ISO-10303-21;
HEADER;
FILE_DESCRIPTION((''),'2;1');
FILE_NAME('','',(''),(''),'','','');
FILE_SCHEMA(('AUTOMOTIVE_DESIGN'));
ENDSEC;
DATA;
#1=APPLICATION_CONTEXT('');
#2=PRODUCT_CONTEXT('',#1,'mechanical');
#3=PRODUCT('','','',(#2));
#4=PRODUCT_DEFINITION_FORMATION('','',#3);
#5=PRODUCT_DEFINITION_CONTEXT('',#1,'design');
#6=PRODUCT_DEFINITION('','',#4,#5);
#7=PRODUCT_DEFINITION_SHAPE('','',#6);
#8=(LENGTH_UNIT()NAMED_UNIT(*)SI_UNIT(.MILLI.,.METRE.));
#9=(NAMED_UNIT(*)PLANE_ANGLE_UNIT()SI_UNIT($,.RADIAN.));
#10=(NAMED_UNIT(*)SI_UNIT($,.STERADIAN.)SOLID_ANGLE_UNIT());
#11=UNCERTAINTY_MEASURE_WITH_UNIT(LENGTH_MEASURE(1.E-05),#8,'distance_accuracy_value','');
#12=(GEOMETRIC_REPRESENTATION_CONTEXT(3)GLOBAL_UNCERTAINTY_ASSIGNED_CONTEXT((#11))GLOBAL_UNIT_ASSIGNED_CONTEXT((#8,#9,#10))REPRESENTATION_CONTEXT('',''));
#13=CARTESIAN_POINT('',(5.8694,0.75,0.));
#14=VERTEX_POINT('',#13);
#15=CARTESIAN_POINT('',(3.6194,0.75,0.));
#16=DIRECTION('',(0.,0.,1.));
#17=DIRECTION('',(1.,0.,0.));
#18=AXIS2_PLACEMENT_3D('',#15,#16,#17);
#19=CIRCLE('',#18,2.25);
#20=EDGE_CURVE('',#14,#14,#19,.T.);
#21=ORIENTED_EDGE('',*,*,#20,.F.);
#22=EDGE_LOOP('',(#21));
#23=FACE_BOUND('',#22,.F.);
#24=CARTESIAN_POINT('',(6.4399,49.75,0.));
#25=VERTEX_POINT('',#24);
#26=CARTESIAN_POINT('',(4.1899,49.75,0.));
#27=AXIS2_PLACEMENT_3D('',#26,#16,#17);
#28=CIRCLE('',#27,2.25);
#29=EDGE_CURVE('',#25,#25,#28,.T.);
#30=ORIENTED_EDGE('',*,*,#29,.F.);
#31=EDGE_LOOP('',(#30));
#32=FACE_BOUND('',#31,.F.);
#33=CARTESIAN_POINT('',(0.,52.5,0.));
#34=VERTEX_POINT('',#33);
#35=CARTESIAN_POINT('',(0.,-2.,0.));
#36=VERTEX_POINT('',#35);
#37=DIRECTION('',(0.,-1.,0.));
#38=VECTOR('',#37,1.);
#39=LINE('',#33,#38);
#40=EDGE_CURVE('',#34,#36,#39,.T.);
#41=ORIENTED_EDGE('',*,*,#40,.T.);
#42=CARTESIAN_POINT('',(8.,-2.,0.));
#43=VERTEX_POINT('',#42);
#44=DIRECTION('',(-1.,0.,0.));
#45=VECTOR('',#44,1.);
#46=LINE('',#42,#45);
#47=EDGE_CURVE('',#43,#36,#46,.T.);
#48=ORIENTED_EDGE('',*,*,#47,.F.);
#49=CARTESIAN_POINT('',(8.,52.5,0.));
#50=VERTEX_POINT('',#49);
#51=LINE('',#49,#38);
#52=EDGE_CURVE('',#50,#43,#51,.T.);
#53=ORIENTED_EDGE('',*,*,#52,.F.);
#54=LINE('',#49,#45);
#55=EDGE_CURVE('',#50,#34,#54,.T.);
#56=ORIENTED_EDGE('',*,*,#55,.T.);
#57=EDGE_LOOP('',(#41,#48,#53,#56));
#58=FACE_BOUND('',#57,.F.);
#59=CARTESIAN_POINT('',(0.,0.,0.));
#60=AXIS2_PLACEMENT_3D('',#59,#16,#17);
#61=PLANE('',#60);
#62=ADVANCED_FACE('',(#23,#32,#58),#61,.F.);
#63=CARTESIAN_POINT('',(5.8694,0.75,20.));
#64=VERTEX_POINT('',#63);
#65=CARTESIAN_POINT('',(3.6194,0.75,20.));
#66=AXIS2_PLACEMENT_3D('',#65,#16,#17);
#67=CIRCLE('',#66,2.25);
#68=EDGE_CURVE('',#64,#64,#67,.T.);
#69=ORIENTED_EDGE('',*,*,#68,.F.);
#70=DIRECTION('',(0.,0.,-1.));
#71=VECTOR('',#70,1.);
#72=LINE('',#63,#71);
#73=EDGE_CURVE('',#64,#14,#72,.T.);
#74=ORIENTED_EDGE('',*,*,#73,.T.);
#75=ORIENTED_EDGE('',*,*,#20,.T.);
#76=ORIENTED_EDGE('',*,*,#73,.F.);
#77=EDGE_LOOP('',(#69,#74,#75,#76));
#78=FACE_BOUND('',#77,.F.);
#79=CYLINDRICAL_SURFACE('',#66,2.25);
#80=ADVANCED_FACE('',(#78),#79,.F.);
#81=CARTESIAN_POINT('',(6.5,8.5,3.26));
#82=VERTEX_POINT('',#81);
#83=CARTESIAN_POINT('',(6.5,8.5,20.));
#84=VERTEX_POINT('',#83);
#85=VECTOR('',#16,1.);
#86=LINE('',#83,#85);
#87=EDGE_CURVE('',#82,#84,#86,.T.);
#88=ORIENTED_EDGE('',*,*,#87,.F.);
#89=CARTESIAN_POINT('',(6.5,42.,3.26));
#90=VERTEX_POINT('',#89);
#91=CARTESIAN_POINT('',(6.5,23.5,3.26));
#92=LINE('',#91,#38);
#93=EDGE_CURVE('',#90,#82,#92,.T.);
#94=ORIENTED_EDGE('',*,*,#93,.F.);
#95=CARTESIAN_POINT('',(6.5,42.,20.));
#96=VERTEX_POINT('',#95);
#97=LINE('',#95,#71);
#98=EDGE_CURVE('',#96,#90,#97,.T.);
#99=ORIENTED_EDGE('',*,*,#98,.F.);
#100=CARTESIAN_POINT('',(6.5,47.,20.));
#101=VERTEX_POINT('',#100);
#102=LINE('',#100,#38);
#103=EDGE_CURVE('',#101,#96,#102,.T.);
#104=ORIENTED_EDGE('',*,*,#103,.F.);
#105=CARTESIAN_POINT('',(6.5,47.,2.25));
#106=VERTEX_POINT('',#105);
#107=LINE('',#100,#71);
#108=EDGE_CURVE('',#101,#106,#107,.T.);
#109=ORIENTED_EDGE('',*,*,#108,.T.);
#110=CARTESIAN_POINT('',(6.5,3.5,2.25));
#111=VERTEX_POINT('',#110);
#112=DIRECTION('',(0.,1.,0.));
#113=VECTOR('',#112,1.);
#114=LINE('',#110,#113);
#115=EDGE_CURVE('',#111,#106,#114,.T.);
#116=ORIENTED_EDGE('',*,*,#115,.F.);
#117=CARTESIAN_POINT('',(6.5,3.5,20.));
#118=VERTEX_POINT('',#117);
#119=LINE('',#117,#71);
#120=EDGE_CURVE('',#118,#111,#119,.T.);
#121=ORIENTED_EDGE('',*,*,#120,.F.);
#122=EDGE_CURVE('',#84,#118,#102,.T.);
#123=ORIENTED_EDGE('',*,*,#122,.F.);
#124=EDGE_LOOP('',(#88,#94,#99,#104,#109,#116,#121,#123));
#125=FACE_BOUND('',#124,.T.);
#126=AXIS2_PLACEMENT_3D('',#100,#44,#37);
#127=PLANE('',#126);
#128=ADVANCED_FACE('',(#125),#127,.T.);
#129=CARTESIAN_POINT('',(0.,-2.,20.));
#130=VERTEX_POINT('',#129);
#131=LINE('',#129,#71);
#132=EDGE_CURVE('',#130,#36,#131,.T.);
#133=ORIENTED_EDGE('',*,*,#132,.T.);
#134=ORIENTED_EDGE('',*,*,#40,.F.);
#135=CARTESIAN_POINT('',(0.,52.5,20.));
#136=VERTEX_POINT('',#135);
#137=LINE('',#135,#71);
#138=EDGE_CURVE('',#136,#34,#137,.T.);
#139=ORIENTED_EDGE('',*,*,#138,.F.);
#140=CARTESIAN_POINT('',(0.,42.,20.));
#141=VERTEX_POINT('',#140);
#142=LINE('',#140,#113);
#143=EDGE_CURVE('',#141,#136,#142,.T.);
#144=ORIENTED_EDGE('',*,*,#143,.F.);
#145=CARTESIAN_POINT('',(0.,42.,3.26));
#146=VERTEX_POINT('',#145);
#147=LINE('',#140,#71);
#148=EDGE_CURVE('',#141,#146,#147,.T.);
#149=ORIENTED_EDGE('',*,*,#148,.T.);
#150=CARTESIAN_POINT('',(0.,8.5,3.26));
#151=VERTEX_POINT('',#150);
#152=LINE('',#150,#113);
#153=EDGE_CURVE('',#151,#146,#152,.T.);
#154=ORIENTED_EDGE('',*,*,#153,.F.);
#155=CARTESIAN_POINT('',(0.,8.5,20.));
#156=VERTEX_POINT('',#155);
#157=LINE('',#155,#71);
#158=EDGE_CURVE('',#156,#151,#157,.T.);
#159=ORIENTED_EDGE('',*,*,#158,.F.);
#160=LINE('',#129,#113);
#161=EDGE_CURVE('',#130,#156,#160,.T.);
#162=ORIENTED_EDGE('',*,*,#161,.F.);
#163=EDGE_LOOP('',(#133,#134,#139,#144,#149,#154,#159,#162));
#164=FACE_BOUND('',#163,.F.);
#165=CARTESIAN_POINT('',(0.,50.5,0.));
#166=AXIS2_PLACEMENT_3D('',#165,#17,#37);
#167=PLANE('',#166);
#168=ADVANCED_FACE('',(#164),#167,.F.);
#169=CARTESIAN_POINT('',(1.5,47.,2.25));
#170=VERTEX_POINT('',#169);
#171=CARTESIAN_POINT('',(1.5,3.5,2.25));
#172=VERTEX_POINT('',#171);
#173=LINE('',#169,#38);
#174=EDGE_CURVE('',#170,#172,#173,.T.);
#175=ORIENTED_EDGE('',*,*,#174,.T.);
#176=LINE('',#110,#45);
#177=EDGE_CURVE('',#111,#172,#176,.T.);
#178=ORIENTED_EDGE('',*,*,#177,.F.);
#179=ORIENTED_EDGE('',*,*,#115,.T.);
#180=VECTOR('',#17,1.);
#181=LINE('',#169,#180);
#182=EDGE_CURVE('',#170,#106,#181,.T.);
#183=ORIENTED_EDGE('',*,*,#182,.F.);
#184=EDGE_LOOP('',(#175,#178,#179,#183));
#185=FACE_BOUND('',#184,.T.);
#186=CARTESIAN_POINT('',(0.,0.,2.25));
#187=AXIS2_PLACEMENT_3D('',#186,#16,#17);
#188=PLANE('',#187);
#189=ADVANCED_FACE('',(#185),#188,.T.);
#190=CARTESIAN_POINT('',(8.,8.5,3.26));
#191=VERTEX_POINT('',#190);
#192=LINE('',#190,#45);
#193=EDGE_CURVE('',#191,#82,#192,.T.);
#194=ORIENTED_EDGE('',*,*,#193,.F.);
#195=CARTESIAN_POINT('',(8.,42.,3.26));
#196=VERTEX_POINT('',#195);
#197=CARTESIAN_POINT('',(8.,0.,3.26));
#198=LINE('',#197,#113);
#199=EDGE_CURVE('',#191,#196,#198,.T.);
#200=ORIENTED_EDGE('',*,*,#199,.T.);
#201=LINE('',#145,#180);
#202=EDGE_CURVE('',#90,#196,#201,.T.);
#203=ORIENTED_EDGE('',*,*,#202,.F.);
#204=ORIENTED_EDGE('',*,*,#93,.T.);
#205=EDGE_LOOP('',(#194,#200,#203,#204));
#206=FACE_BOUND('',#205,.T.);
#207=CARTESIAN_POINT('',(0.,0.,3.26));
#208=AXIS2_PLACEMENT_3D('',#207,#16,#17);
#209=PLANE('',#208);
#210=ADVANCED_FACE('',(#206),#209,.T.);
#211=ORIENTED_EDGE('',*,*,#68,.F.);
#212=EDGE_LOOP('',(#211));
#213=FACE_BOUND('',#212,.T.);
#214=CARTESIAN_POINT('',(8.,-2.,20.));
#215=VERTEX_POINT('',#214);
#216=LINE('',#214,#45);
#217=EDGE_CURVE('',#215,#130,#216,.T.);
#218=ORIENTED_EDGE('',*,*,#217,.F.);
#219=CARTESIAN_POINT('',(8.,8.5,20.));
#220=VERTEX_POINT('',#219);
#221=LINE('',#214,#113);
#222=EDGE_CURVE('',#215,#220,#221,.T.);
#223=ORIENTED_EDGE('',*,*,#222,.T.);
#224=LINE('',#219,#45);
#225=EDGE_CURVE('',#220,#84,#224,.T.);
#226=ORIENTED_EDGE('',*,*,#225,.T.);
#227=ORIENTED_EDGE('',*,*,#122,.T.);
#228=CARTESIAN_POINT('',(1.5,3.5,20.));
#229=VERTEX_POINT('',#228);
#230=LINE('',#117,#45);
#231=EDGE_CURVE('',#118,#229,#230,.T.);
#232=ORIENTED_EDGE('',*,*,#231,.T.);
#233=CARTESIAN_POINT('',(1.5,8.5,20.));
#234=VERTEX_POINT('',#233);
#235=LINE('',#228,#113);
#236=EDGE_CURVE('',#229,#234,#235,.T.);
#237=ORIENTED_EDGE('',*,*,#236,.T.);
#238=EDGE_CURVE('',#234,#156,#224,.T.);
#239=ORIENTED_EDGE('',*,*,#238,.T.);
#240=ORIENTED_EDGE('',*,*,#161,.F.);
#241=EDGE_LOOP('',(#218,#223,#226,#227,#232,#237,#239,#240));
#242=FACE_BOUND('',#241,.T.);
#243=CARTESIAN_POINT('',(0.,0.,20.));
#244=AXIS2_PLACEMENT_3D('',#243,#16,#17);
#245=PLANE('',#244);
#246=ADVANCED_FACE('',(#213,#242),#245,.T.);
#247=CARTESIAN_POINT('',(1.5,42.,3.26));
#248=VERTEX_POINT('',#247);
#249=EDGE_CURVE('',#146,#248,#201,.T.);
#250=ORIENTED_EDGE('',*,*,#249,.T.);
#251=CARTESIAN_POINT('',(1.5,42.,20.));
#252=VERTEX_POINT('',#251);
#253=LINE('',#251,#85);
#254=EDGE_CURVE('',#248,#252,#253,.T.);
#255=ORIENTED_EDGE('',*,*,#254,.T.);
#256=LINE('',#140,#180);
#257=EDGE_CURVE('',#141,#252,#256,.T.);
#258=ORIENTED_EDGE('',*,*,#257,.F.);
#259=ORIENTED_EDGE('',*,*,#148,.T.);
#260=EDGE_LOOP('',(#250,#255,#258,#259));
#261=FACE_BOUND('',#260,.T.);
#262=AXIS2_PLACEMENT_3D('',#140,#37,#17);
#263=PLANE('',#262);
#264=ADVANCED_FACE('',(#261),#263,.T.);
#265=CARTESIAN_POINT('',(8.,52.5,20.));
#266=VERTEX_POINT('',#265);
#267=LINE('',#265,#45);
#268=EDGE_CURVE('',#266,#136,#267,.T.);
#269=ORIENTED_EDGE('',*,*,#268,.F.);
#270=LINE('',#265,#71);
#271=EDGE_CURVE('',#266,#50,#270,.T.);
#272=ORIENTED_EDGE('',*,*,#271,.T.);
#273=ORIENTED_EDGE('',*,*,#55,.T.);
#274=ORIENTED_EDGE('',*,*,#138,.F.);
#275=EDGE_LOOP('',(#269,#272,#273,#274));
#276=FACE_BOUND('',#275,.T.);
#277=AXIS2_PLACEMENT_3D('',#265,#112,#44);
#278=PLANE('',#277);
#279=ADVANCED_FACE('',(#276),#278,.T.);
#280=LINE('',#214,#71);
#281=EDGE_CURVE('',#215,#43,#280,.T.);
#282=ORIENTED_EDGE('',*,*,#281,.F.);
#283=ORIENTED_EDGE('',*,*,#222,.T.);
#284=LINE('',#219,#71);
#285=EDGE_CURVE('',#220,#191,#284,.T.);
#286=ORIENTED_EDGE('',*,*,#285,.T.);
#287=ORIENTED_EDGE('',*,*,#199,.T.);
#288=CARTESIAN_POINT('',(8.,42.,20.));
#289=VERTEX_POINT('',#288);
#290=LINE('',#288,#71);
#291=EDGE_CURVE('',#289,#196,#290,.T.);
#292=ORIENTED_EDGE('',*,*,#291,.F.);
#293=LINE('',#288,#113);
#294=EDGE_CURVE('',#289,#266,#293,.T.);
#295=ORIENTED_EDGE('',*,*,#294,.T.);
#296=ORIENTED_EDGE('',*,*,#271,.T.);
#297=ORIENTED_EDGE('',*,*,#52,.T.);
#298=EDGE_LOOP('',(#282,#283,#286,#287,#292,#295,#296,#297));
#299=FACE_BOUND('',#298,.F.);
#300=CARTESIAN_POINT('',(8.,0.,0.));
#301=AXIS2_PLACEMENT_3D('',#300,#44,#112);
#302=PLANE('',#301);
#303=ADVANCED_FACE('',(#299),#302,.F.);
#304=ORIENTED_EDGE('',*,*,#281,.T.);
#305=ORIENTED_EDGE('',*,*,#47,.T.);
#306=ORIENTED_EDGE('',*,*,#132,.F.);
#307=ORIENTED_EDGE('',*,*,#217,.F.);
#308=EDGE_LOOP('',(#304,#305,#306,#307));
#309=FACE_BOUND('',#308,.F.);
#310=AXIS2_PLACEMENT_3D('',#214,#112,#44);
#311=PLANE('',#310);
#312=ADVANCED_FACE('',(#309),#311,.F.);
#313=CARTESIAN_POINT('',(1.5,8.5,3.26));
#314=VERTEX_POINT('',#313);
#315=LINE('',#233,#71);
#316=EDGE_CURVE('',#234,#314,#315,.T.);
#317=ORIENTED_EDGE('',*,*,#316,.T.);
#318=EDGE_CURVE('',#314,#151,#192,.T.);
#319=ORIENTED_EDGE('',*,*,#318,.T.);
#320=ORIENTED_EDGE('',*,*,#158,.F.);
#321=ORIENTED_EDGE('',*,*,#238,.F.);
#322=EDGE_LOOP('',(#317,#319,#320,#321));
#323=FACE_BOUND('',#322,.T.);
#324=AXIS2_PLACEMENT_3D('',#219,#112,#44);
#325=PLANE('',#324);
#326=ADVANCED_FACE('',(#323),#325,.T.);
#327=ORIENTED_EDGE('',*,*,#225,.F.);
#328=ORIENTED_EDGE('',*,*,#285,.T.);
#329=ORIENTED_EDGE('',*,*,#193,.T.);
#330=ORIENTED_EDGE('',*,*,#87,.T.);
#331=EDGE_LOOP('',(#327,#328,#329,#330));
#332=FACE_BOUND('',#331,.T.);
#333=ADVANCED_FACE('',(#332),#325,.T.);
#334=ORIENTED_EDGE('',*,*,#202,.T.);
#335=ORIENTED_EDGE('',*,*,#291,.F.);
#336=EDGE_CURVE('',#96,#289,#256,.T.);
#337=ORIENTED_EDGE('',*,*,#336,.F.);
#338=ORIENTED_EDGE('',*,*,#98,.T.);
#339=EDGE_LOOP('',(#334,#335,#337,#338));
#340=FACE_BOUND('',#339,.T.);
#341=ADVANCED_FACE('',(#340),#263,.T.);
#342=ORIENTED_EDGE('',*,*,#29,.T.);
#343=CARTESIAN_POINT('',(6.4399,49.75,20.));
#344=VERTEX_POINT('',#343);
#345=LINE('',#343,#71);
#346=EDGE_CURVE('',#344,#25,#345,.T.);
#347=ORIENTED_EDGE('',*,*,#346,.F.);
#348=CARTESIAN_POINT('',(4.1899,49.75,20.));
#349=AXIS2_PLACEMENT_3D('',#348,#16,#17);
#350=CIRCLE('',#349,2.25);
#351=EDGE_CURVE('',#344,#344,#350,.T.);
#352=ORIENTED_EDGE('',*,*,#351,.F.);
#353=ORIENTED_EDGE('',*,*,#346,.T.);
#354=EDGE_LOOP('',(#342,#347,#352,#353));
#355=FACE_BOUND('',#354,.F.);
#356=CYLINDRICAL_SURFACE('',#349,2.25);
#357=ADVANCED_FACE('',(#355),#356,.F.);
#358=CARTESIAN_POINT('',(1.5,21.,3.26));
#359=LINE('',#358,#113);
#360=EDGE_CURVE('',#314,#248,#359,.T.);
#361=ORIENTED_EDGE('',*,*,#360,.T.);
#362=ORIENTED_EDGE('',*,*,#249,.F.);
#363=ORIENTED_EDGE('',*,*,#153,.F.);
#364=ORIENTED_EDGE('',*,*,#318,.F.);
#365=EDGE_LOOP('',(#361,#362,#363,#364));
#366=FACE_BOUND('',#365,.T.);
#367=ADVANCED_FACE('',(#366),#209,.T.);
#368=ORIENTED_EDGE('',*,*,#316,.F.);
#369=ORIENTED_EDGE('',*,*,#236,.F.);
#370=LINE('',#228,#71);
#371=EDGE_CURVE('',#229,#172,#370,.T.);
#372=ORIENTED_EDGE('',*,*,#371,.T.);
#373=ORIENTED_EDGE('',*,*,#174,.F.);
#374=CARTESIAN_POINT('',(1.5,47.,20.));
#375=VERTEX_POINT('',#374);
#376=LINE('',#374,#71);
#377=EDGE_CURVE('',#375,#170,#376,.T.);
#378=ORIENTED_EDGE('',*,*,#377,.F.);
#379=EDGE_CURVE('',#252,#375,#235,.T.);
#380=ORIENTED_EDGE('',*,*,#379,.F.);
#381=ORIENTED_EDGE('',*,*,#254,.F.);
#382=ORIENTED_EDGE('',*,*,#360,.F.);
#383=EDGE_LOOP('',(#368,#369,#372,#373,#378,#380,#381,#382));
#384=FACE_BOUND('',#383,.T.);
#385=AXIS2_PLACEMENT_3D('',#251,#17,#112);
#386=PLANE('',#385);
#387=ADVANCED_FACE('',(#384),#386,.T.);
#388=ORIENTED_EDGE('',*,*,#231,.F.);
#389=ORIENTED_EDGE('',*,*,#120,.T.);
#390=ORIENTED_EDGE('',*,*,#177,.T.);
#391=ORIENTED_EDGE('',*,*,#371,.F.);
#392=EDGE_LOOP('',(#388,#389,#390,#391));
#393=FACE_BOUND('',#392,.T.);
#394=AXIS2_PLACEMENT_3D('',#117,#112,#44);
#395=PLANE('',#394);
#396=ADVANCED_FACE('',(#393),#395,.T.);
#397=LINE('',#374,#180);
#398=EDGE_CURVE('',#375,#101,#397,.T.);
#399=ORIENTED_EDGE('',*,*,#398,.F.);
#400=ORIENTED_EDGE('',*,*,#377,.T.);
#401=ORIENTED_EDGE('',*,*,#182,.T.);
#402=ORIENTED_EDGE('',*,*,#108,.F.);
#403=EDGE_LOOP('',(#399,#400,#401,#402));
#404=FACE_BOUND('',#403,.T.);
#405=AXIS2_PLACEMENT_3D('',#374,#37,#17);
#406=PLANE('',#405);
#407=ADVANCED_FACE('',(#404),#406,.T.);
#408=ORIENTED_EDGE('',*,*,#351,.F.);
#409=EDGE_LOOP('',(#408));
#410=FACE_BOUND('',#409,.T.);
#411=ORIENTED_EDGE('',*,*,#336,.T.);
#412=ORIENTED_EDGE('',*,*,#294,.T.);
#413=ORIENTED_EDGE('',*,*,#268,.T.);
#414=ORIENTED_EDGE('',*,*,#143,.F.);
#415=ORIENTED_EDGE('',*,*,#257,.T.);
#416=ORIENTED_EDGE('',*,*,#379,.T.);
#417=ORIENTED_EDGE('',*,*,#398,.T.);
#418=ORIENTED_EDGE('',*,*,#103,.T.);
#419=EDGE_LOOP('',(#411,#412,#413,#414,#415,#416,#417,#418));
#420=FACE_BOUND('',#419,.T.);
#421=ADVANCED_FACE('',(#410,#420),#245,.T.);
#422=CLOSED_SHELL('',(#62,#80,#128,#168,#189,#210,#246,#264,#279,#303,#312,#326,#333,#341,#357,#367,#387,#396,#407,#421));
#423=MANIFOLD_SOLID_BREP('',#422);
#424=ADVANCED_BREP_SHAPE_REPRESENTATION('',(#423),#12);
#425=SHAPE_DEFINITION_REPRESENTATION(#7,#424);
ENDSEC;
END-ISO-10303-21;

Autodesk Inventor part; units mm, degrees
ref_plane "YZ Plane" through (0, 0, 0) normal (1, 0, 0) x (0, 1, 0)
ref_plane "XZ Plane" through (0, 0, 0) normal (0, 1, 0) x (-1, 0, 0)
ref_plane "XY Plane" through (0, 0, 0) normal (0, 0, 1) x (1, 0, 0)
sketch "Sketch1" plane through (0, 0, 0) normal (0, 0, 1) x (1, 0, 0)
  line L0 (0, 0) -> (8, 0)
  line L1 (8, 0) -> (8, 50.5)
  line L2 (8, 50.5) -> (0, 50.5)
  line L3 (0, 50.5) -> (0, 0)
  dimension "d0" = 8
  dimension "d1" = 50.5
extrude "Extrusion1" add sketch "Sketch1" along normal blind 20
sketch "Sketch2" plane through (0, 0, 20) normal (0, 0, 1) x (1, 0, 0)
  line L0 (8, 0) -> (8, 50.5) projected
  line L1 (0, 42) -> (8, 42)
  line L2 (8, 42) -> (8, 8.5)
  line L3 (8, 8.5) -> (0, 8.5)
  line L4 (0, 8.5) -> (0, 42)
  line L5 (8, 50.5) -> (0, 50.5) projected
  line L6 (0, 0) -> (8, 0) projected
  dimension "d4" = 33.5
  dimension "d5" = 8.5
  dimension "d6" = 8.5
extrude "Extrusion2" cut sketch "Sketch2" against normal blind 16.74
sketch "Sketch3" plane through (0, 0, 20) normal (0, 0, 1) x (1, 0, 0)
  line L0 (1.5, 47) -> (6.5, 47)
  line L1 (6.5, 47) -> (6.5, 3.5)
  line L2 (6.5, 3.5) -> (1.5, 3.5)
  line L3 (1.5, 3.5) -> (1.5, 47)
  line L4 (0, 50.5) -> (0, 42) projected
  line L5 (0, 42) -> (8, 42) projected
  line L6 (8, 8.5) -> (0, 8.5) projected
  point P0 (0, 0)
  dimension "d9" = 5
  dimension "d10" = 1.5
  dimension "d11" = 5
  dimension "d12" = 5
extrude "Extrusion3" cut sketch "Sketch3" against normal blind 17.75
sketch "Sketch4" plane through (0, 0, 20) normal (0, 0, 1) x (1, 0, 0)
  line L0 (8, 50.5) -> (0, 50.5) projected
  line L1 (0, 50.5) -> (8, 50.5)
  line L2 (8, 50.5) -> (8, 52.5)
  line L3 (8, 52.5) -> (0, 52.5)
  line L4 (0, 52.5) -> (0, 50.5)
  line L5 (0, 0) -> (8, 0) projected
  line L6 (0, 0) -> (8, 0)
  line L7 (8, 0) -> (8, -2)
  line L8 (8, -2) -> (0, -2)
  line L9 (0, -2) -> (0, 0)
  dimension "d15" = 2
extrude "Extrusion4" add sketch "Sketch4" against normal up to surface (20 mm away)
sketch "Sketch5" plane through (0, 0, 20) normal (0, 0, 1) x (1, 0, 0)
  circle A0 centre (4.1899, 49.75) radius 2.25
  circle A1 centre (3.6194, 0.75) radius 2.25
  line L0 (0, -2) -> (8, -2) projected
  line L1 (6.5, 3.5) -> (1.5, 3.5) projected
  line L2 (1.5, 47) -> (6.5, 47) projected
  point P0 (0, 0)
  dimension "d18" = 5.5
  dimension "d19" = 4.5
  dimension "d20" = 2.75
  dimension "d21" = 2.75
extrude "Extrusion5" cut sketch "Sketch5" against normal up to surface (20 mm away)
properties part number "Stand Lower covet"
